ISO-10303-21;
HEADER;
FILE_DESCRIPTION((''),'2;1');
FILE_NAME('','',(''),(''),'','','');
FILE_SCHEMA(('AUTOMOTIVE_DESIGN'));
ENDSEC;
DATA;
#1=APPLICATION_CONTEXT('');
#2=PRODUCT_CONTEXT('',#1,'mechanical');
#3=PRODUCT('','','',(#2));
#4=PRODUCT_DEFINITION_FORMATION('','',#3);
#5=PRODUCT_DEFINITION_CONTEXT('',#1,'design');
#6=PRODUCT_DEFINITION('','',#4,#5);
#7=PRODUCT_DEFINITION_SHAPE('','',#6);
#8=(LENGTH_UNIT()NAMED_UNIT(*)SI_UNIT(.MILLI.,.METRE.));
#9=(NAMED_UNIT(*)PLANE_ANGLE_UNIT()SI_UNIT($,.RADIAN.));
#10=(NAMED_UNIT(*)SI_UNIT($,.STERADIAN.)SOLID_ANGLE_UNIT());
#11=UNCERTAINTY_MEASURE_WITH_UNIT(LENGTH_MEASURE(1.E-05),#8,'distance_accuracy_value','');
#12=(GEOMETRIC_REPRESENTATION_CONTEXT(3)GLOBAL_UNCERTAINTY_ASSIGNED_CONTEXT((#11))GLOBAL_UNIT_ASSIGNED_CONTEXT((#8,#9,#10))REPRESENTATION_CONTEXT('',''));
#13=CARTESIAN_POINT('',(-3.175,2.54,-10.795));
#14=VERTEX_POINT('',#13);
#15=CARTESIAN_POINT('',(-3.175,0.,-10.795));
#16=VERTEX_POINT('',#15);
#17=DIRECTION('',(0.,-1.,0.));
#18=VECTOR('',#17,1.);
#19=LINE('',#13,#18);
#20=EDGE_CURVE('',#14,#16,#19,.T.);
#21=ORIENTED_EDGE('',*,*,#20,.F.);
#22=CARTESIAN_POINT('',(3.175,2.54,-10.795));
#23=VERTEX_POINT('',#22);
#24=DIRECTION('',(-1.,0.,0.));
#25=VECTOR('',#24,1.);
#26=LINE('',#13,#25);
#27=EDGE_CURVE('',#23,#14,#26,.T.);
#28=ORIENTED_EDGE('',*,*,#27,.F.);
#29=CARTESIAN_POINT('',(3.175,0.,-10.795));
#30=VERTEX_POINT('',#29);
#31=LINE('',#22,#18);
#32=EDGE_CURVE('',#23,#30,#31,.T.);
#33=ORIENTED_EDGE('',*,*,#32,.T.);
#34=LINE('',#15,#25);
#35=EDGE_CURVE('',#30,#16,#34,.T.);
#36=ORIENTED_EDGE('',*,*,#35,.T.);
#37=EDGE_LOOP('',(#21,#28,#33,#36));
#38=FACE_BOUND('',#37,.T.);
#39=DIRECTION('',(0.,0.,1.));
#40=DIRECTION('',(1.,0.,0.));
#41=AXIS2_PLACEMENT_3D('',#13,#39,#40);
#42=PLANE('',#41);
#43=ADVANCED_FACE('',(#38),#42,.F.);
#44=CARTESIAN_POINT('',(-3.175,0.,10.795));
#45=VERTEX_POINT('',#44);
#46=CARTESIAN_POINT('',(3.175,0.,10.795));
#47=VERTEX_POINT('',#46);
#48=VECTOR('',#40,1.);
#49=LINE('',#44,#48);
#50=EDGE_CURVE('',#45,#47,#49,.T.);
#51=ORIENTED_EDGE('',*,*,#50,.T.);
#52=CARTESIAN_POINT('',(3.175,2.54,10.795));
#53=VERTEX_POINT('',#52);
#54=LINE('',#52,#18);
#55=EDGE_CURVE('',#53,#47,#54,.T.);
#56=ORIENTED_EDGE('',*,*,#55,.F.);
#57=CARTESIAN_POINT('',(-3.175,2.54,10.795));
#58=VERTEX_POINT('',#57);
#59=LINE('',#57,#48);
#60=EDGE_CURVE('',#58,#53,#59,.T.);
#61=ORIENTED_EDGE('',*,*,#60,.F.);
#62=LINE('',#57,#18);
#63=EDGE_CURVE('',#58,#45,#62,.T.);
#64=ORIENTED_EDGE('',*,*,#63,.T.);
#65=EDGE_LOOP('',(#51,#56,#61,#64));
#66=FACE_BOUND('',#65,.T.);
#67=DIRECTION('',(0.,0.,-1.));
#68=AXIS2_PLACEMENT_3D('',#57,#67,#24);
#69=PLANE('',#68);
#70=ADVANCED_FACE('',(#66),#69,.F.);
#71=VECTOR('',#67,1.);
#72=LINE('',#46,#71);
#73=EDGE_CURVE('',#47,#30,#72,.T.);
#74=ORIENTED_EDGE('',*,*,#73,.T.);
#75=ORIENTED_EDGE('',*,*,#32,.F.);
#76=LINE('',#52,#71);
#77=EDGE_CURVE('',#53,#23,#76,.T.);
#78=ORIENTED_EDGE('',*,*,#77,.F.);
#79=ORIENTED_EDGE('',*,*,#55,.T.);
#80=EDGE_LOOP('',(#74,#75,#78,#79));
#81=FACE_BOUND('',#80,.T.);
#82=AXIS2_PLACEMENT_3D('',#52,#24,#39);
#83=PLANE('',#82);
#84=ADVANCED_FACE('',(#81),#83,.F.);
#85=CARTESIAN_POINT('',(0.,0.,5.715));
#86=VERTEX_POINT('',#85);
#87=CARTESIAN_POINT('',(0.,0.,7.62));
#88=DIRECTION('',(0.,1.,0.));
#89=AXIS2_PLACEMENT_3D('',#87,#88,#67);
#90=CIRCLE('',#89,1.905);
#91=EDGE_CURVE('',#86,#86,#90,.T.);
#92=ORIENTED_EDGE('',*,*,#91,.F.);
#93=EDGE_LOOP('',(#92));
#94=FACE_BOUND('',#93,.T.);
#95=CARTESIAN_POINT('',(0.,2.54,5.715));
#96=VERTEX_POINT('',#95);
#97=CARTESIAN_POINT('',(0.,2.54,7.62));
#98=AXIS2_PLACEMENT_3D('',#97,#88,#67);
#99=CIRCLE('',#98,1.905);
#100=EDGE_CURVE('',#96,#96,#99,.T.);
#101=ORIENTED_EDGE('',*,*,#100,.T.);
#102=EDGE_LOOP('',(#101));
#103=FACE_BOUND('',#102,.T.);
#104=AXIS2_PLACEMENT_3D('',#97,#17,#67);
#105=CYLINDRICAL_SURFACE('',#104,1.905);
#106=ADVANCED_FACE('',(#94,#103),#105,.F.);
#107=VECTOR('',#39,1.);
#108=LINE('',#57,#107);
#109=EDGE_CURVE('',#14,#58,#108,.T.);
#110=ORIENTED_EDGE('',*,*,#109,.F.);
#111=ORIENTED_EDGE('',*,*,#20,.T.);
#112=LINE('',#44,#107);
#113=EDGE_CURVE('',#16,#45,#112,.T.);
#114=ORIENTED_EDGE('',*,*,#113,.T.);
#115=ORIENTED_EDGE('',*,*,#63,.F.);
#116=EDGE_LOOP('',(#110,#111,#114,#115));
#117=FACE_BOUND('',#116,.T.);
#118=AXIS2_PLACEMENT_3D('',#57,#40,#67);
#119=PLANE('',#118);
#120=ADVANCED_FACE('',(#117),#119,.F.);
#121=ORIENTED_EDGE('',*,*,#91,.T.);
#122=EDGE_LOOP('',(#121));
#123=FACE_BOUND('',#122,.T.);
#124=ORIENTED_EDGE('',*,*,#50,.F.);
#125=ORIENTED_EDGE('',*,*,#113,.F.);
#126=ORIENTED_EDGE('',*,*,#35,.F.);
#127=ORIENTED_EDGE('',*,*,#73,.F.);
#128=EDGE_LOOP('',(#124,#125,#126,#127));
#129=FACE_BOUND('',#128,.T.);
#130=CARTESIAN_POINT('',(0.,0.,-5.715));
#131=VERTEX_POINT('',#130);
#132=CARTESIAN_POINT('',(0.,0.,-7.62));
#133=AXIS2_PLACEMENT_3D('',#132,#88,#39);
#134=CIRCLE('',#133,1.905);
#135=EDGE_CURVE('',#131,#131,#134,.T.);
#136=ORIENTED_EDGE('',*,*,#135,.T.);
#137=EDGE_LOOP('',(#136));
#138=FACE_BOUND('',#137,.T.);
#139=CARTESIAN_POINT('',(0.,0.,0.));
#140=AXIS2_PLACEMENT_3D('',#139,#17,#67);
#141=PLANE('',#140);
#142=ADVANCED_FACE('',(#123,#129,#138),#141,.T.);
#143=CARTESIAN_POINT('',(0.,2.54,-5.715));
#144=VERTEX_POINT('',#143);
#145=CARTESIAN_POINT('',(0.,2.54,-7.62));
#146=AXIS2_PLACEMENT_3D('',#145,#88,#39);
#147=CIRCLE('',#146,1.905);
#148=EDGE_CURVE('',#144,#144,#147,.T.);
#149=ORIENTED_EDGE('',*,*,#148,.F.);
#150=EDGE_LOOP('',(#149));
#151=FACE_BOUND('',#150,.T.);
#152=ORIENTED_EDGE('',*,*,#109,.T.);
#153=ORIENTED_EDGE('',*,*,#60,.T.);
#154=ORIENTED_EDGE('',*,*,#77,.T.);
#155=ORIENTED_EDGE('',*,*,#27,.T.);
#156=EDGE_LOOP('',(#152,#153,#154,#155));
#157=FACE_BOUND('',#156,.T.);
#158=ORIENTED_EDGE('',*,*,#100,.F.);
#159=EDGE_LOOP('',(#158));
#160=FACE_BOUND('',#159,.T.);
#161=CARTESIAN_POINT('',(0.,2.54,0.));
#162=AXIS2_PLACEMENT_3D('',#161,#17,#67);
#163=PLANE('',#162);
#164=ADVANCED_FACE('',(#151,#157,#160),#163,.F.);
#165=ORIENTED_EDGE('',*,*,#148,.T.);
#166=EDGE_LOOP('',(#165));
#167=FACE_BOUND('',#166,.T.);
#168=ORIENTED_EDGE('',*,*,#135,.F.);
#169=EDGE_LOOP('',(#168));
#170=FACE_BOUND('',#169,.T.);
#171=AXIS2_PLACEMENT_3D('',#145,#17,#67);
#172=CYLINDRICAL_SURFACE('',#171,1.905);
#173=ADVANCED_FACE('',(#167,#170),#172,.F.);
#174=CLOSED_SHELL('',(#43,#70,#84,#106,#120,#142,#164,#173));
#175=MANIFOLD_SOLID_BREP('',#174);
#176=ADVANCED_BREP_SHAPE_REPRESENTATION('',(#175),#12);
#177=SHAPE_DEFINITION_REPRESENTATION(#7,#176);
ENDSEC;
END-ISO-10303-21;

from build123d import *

# Parameters (mm, degrees)
SKETCH1_W           = 6.35
SKETCH1_H           = 21.59
SKETCH1_R           = 1.905
BOSS_EXTRUDE1_DEPTH = 2.54


with BuildPart() as part:
    # Sketch1 → Boss-Extrude1 (new body)
    with BuildSketch(Plane(origin=(0, 0, 0), x_dir=(1, 0, 0), z_dir=(0, 1, 0))):
        Rectangle(SKETCH1_W, SKETCH1_H)
        with Locations((0, 7.62)):
            Circle(SKETCH1_R, mode=Mode.SUBTRACT)
        with Locations((0, -7.62)):
            Circle(SKETCH1_R, mode=Mode.SUBTRACT)
    extrude(amount=BOSS_EXTRUDE1_DEPTH)


solid = part.part
